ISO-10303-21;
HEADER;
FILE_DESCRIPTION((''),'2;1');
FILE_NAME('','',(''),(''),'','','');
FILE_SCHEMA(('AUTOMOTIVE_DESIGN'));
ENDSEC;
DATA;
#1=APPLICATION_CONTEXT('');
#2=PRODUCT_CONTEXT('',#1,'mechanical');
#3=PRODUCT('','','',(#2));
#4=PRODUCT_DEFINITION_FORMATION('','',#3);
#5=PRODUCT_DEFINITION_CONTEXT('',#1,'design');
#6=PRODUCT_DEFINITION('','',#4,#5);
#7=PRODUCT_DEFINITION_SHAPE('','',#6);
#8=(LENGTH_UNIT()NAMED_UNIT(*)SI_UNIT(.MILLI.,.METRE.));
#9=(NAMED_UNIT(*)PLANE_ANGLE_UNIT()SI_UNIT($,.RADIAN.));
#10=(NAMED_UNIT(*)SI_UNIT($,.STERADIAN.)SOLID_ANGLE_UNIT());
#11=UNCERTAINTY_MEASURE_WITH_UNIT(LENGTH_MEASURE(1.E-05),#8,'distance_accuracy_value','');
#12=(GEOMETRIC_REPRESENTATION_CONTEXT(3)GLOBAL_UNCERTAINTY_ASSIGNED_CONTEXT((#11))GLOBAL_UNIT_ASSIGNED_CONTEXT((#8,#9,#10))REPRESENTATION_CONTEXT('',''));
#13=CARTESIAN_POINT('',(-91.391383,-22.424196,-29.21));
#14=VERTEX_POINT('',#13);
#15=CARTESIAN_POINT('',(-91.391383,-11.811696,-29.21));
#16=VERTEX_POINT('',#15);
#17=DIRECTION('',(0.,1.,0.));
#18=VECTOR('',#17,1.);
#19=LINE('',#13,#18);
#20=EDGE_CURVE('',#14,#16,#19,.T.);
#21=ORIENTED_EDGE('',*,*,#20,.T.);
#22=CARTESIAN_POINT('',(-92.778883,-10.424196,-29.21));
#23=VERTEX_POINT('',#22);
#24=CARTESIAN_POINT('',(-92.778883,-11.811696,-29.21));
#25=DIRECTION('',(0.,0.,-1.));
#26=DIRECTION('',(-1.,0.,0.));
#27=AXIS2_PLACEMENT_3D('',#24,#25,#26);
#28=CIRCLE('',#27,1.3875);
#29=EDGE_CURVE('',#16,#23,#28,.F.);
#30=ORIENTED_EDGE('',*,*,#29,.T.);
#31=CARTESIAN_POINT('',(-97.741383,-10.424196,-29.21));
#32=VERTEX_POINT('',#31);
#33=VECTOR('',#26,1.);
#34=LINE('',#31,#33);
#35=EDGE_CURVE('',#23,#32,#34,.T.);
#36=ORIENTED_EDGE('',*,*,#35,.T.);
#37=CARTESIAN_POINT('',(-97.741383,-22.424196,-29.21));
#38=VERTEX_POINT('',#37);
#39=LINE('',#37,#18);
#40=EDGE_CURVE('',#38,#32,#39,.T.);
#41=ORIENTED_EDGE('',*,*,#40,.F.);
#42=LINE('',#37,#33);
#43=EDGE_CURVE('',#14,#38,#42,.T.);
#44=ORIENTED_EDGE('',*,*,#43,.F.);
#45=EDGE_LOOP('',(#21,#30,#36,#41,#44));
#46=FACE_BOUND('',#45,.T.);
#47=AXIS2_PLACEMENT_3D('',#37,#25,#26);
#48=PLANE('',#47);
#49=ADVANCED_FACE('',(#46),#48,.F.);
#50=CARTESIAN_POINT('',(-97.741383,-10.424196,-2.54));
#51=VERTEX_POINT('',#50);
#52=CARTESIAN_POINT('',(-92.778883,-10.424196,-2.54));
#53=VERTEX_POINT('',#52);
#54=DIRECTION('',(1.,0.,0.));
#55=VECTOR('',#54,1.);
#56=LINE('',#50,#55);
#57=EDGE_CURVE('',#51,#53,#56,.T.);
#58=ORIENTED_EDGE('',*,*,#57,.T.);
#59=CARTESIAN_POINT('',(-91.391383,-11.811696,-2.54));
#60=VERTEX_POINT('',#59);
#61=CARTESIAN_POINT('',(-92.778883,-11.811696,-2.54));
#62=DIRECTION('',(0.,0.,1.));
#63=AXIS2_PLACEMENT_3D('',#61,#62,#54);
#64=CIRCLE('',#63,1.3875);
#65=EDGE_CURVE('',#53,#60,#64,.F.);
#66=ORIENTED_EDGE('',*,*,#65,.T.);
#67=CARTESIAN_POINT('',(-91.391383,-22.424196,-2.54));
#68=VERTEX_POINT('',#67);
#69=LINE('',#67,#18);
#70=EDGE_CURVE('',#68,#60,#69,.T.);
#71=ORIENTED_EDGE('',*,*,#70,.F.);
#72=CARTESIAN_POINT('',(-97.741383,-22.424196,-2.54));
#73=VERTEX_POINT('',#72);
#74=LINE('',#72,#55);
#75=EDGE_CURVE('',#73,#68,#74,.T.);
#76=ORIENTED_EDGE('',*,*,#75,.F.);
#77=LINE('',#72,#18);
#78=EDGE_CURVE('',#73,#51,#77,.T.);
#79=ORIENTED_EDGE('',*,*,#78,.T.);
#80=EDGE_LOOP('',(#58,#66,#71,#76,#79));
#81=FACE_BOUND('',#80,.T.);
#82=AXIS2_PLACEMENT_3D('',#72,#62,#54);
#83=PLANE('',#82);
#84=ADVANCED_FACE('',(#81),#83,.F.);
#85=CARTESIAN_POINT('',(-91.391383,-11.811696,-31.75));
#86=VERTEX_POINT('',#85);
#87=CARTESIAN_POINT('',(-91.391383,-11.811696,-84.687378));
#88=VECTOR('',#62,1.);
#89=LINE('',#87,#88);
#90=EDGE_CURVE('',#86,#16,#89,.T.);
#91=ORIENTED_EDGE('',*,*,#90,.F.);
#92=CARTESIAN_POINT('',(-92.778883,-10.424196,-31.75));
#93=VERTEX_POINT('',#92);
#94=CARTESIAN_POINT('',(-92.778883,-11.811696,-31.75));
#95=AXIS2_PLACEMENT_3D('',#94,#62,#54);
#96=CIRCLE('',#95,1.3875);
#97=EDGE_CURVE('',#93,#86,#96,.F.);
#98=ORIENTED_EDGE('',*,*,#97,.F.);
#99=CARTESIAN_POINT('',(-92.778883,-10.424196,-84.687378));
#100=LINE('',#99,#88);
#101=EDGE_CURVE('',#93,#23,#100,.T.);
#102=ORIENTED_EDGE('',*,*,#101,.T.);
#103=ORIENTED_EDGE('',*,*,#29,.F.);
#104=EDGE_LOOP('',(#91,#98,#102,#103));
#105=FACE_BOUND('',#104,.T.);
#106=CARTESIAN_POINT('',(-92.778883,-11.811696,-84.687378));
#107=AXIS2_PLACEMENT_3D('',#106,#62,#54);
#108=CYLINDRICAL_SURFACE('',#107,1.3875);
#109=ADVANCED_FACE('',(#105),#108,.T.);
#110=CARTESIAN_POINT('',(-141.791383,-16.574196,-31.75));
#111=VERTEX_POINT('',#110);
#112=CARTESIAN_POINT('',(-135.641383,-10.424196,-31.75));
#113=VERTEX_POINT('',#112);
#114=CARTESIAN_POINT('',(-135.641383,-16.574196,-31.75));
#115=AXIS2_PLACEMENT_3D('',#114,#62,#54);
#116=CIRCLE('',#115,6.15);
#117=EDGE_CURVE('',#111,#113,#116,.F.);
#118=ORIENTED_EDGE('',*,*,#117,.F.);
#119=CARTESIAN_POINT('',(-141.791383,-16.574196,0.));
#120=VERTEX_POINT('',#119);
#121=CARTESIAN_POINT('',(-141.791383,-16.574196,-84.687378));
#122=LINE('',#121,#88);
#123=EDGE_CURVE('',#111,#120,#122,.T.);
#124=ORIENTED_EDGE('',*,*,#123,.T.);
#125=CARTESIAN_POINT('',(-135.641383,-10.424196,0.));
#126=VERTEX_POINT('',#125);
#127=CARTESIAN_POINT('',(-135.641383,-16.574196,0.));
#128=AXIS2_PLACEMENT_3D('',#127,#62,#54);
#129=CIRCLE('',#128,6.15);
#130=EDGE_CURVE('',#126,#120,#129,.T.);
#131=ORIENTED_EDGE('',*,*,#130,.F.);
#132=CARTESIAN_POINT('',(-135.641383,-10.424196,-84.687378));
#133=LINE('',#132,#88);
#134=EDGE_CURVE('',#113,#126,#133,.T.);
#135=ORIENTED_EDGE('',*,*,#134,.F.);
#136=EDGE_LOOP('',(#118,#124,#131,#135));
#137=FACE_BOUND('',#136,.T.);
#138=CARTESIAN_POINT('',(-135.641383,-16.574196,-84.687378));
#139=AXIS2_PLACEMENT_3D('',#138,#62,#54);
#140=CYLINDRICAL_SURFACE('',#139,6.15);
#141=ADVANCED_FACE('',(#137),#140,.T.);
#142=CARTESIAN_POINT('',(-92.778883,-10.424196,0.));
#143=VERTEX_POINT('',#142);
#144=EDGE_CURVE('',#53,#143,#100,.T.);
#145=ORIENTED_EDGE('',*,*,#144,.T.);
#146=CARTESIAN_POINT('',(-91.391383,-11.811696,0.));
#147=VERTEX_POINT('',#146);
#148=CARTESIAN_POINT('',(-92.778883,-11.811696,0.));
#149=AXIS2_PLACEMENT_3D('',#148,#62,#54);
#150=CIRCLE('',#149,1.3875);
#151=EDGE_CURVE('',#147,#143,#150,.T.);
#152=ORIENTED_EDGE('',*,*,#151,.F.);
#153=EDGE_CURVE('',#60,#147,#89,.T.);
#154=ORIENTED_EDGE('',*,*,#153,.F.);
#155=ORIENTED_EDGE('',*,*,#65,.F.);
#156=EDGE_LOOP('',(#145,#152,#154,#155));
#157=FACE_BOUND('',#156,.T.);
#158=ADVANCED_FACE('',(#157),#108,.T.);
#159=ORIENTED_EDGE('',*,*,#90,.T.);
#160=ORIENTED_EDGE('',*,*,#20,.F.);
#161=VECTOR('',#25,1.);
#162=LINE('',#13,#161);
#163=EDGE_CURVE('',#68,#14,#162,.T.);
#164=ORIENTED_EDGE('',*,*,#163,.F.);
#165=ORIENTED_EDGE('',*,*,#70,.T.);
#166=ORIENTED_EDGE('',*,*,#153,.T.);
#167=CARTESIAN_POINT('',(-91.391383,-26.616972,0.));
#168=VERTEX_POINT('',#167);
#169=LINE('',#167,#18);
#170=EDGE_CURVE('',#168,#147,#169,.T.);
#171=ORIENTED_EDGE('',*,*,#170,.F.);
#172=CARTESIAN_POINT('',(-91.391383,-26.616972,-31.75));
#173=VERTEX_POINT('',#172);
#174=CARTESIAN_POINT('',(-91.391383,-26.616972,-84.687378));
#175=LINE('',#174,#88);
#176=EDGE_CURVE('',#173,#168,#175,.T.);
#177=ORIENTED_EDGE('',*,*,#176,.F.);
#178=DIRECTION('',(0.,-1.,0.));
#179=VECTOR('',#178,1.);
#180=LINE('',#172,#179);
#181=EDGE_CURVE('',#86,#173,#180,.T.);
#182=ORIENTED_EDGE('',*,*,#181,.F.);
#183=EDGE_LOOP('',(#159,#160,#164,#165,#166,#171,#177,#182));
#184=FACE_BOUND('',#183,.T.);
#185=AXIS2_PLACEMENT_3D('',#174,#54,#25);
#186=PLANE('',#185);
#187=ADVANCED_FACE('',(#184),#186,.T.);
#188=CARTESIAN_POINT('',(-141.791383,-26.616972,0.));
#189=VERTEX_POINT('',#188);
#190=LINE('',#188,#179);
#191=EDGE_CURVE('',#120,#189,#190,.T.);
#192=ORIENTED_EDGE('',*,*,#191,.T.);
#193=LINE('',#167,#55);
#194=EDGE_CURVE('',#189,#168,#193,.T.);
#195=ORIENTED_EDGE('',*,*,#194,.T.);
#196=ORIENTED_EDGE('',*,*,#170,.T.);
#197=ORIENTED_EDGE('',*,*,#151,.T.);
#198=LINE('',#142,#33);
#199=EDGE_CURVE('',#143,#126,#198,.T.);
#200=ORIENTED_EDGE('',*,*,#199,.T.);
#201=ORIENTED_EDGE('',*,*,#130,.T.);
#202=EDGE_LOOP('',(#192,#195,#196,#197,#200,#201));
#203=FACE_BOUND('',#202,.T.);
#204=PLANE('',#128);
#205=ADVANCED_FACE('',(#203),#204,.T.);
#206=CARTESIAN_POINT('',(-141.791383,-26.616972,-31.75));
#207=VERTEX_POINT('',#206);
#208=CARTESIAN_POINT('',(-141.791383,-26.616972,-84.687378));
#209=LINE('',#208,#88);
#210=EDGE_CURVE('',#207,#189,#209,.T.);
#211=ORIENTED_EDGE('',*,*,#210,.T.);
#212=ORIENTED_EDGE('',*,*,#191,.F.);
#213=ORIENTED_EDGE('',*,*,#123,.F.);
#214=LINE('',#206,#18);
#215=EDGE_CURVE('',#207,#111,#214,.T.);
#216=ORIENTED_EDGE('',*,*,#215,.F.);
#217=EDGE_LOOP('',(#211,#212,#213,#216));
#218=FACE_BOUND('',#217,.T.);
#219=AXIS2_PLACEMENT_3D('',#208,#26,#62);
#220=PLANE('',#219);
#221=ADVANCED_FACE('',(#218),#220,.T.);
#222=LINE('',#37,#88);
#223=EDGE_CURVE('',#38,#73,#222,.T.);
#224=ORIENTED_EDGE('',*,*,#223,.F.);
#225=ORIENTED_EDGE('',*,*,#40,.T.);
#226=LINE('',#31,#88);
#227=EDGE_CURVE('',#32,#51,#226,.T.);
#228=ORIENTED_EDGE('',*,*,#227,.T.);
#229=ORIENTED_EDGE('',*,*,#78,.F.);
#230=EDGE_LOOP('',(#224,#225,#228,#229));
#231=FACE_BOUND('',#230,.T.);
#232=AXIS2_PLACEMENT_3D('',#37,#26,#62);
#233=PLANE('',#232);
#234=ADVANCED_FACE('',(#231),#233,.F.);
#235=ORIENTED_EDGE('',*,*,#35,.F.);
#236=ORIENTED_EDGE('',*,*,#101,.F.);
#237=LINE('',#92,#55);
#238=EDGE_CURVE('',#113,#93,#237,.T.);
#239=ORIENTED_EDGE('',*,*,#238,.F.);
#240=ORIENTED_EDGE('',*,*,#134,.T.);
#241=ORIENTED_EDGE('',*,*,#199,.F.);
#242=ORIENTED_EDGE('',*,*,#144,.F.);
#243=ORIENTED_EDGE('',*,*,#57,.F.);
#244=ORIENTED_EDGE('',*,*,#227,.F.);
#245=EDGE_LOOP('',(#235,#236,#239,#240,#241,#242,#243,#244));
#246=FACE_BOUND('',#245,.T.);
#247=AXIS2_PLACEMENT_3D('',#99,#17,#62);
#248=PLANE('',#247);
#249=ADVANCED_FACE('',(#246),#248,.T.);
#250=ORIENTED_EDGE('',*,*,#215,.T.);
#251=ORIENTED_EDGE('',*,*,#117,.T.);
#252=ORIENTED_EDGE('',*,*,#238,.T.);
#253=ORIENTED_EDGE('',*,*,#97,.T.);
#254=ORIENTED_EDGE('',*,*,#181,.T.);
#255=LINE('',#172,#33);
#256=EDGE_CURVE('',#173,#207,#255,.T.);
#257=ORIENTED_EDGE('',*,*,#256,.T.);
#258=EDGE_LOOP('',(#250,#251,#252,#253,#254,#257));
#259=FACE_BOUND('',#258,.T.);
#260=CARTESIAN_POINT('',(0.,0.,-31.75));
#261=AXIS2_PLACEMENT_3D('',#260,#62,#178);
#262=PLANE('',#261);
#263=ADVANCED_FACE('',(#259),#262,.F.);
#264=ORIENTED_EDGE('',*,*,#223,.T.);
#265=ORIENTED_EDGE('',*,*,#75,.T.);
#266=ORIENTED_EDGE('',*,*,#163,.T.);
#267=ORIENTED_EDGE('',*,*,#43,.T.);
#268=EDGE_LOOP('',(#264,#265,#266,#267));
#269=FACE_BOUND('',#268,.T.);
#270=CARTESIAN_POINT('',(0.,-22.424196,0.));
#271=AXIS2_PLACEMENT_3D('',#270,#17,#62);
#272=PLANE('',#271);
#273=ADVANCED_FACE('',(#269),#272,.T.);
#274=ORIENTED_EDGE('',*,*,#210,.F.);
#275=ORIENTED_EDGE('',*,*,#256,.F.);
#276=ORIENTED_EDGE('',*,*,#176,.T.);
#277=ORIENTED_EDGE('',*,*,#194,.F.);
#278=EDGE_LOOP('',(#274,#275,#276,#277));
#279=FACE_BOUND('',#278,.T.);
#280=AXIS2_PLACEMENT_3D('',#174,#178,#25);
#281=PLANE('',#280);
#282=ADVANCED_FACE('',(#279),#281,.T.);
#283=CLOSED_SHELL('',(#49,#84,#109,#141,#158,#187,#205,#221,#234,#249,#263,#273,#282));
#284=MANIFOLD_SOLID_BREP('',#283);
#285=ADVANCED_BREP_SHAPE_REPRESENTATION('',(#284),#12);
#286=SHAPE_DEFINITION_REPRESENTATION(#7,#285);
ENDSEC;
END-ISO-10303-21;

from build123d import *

# Parameters (mm, degrees)
BOSS_EXTRUDE1_DEPTH = 31.75
SCREWHEADNOTCH_W    = 6.35
SCREWHEADNOTCH_H    = 26.67
CUT_EXTRUDE1_DEPTH  = 12


with BuildPart() as part:
    # Sketch1 → Boss-Extrude1 (new body)
    with BuildSketch(Plane.XY):
        with BuildLine():
            Line((-91.391382579, -26.616972455), (-141.791382579, -26.616972455))
            Line((-141.791382579, -26.616972455), (-141.791382579, -16.574195588))
            ThreePointArc((-141.791382579, -16.574195588), (-140.786841742, -13.20570186), (-138.101382579, -10.937627484))
            ThreePointArc((-138.101382579, -10.937627484), (-136.897886888, -10.553921764), (-135.641382579, -10.424195588))
            Line((-135.641382579, -10.424195588), (-92.778882579, -10.424195588))
            ThreePointArc((-92.778882579, -10.424195588), (-91.79777192, -10.83058493), (-91.391382579, -11.811695588))
            Line((-91.391382579, -11.811695588), (-91.391382579, -26.616972455))
        make_face()
    extrude(amount=-BOSS_EXTRUDE1_DEPTH)

    # ScrewHeadNotch → Cut-Extrude1 (cut)
    with BuildSketch(Plane(origin=(0, -10.424195588, 0), x_dir=(1, 0, 0), z_dir=(0, 1, 0))):
        with Locations((-94.566382579, 15.875)):
            Rectangle(SCREWHEADNOTCH_W, SCREWHEADNOTCH_H)
    extrude(amount=-CUT_EXTRUDE1_DEPTH, mode=Mode.SUBTRACT)


solid = part.part
